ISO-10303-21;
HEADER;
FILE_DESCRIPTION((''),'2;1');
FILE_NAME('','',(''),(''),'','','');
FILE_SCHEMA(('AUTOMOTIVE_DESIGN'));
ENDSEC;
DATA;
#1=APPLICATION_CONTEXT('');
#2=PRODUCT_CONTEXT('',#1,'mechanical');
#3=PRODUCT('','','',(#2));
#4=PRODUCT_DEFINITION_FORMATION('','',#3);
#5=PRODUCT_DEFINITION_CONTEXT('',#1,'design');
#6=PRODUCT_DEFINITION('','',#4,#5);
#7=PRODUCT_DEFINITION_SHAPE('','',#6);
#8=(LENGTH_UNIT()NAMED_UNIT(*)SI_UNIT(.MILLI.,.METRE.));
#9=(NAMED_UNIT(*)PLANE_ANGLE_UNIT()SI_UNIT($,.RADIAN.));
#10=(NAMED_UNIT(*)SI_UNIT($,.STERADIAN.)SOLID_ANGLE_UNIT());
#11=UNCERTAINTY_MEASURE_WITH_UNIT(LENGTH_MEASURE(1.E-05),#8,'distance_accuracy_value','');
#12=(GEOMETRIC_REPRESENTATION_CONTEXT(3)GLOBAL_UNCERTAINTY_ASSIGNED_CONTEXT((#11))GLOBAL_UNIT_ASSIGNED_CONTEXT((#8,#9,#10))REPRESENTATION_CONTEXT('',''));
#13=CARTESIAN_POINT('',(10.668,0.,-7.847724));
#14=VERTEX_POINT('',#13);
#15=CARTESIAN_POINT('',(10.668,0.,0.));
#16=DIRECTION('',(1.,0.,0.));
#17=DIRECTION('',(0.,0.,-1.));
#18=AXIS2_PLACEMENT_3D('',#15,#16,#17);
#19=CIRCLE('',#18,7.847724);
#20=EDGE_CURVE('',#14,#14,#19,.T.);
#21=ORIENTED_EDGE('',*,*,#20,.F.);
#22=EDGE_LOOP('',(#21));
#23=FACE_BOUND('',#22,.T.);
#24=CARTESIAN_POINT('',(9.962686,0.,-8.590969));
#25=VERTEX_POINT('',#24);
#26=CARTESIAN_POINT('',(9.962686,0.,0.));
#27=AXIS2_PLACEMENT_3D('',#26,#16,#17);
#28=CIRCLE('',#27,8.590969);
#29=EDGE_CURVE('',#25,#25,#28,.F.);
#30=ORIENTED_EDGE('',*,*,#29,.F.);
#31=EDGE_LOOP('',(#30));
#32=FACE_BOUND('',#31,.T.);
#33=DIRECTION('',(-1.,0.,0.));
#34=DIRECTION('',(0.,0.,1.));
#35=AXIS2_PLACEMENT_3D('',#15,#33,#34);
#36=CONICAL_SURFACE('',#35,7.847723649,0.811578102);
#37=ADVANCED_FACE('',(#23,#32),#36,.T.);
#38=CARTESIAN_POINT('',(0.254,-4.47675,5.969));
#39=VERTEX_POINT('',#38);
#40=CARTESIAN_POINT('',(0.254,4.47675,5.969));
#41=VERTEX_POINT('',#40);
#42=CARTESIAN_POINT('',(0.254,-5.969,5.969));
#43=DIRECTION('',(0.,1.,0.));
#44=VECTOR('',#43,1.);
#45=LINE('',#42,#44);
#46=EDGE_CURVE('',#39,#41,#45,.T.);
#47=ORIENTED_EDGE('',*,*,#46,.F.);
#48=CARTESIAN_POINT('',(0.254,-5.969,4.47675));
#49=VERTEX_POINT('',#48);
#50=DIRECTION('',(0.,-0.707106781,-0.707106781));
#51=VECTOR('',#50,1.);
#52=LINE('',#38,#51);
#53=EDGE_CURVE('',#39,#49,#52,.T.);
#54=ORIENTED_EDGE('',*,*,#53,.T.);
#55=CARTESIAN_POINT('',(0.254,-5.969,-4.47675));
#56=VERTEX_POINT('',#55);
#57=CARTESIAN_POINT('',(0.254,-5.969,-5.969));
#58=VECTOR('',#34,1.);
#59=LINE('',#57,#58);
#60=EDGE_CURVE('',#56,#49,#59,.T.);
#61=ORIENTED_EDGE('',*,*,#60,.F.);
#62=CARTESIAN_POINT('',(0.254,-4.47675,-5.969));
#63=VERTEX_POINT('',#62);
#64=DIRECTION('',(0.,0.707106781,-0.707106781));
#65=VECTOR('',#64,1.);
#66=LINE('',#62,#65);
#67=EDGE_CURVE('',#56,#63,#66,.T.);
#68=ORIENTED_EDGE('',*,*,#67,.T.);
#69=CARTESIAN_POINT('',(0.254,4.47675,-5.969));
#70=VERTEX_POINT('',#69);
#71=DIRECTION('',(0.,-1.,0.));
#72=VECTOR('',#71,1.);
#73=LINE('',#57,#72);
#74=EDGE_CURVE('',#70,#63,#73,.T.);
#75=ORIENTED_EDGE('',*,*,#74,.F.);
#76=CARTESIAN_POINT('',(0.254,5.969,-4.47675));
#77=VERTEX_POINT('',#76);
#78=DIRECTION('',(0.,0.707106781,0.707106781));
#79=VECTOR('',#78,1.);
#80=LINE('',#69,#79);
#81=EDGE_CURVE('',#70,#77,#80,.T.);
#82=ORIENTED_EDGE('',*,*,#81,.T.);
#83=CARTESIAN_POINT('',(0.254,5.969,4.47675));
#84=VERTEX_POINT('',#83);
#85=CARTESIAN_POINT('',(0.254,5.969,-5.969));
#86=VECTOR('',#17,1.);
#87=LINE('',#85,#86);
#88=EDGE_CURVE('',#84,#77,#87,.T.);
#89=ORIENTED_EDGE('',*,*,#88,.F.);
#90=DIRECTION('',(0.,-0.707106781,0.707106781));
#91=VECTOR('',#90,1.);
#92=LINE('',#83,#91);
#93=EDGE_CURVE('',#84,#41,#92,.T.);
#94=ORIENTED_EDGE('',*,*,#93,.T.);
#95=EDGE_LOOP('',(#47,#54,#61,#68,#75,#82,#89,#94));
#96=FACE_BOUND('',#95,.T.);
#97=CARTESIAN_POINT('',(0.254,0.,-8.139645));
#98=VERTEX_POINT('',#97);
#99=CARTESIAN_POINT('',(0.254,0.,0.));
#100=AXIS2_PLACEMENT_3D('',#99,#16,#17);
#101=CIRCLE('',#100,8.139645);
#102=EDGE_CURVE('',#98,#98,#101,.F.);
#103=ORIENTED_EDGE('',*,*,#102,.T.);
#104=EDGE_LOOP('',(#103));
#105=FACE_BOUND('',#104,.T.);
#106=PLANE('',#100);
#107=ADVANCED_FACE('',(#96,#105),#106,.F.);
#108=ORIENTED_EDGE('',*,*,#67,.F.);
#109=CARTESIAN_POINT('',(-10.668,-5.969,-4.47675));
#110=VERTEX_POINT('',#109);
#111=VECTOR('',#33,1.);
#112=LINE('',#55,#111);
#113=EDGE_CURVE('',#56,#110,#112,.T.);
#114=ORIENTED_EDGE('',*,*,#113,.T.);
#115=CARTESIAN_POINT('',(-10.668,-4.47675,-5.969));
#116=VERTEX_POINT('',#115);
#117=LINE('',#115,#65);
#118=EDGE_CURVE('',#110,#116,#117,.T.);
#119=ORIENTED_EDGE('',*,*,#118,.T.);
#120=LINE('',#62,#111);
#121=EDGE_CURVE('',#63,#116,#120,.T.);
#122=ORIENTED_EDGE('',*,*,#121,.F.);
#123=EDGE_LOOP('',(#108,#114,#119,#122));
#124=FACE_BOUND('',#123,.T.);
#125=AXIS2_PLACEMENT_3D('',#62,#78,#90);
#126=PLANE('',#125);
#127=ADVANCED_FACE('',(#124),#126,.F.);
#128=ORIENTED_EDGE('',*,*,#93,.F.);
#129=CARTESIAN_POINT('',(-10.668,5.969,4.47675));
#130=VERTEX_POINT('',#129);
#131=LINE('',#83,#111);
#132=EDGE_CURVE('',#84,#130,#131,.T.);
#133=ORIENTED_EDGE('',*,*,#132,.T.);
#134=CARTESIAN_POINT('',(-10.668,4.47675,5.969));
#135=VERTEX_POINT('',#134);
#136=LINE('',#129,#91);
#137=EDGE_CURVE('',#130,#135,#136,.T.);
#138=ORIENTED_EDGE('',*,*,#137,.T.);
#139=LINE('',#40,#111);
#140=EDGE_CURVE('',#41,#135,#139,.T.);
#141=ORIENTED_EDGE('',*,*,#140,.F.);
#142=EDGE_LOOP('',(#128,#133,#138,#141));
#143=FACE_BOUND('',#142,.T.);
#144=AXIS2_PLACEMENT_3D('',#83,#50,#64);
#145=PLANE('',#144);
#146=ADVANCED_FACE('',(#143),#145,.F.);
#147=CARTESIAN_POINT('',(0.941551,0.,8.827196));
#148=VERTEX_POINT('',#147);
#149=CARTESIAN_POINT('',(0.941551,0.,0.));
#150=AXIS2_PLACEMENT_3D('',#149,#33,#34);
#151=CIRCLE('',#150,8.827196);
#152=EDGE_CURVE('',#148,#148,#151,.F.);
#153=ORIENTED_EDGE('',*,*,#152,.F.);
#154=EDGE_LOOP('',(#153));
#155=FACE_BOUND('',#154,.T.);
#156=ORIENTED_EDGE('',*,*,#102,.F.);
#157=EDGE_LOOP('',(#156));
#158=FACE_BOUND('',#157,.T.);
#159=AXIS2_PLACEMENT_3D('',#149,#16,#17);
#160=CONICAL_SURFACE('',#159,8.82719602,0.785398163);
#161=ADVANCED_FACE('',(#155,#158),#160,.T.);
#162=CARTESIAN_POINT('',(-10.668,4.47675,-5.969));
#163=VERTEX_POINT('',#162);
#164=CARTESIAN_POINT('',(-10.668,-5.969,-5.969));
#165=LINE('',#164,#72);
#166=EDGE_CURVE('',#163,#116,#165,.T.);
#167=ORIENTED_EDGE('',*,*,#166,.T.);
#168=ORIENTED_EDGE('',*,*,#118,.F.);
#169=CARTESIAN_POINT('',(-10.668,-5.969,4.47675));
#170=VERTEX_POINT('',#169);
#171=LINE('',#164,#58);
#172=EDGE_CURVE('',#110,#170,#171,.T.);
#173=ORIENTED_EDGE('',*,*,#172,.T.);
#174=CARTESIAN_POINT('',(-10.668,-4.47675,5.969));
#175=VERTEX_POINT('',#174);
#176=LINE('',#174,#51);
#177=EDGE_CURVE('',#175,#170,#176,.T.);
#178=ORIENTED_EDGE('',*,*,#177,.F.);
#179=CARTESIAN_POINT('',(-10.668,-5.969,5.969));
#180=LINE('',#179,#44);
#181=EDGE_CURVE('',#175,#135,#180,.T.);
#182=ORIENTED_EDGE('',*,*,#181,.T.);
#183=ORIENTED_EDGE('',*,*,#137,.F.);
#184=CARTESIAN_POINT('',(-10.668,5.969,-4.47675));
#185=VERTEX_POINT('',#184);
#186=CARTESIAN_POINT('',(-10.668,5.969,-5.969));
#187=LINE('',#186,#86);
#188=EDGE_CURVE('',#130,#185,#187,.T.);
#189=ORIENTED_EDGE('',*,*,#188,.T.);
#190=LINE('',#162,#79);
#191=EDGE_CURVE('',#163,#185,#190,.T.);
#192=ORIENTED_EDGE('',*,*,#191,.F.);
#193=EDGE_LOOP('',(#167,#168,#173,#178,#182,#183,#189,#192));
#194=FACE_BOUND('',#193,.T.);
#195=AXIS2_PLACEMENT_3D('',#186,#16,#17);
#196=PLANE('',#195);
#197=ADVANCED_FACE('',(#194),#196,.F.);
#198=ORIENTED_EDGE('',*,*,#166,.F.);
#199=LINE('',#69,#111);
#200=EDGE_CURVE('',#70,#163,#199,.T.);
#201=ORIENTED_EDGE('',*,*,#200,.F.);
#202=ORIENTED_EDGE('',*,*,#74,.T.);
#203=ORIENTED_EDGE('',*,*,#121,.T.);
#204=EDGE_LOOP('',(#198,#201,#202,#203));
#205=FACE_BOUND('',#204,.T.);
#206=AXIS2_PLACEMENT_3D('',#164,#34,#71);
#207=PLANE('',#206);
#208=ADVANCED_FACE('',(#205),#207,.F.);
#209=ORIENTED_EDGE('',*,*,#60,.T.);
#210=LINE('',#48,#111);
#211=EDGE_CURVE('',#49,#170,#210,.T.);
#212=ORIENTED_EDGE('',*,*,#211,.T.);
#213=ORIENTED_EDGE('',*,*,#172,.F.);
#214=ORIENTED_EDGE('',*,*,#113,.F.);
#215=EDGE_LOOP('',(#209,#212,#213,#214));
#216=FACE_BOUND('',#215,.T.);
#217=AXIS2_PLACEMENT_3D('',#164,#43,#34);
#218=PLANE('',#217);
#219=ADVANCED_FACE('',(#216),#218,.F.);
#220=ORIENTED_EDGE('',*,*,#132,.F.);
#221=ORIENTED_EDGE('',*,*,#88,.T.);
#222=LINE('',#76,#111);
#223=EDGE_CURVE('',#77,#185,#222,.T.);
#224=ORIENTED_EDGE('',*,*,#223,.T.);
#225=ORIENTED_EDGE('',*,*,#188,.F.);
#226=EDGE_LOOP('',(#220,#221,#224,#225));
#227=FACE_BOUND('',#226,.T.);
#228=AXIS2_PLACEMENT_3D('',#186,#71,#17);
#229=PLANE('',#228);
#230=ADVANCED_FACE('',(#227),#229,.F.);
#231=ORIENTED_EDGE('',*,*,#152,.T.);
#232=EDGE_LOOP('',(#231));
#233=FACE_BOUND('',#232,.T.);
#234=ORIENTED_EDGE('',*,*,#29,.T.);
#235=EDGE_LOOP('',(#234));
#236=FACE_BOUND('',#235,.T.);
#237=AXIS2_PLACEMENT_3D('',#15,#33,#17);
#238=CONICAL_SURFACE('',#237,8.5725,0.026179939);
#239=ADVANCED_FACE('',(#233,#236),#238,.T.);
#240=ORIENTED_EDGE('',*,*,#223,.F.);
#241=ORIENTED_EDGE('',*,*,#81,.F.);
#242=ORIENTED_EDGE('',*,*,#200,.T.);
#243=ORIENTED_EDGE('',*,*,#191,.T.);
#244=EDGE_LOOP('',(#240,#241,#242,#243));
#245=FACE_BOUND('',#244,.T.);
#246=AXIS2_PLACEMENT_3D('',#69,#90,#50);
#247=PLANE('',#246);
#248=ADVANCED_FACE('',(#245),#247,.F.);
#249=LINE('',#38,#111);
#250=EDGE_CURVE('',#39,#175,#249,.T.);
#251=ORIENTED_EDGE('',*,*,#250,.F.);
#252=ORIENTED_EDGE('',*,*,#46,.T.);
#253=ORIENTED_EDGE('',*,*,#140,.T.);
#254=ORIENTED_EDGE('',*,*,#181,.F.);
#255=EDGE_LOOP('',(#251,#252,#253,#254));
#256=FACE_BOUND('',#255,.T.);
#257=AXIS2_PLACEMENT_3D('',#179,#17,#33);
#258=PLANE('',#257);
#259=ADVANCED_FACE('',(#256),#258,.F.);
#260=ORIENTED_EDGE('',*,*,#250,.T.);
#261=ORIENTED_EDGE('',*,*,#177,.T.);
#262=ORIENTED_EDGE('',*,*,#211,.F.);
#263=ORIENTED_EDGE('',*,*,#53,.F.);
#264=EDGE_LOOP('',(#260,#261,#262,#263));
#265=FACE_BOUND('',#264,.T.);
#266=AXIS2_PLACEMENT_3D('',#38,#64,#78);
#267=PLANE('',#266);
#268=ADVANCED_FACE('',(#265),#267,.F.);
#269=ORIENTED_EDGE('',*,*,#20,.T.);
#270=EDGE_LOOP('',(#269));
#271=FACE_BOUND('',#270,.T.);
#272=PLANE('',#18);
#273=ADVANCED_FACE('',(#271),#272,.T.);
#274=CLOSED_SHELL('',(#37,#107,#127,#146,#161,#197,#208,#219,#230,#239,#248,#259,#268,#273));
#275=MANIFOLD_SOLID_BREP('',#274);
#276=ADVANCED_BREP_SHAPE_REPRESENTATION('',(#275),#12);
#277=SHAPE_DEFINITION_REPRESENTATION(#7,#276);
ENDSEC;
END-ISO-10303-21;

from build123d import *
from OCP.BRepFilletAPI import BRepFilletAPI_MakeChamfer

# Parameters (mm, degrees)
SKETCH2_R          = 8.5725
EXTRUDE1_DEPTH     = 10.414
EXTRUDE1_DRAFT     = 1.5
CHAMFER1_SIZE      = 0.705555556
CHAMFER1_SIZE2     = 0.724776351
CHAMFER1_SIZE2_2   = 0.687787076
SKETCH6_W          = 11.938
SKETCH6_H          = 11.938
EXTRUDE2_DEPTH     = 10.922
CUT_EXTRUDE1_DEPTH = 10.922


with BuildPart() as part:
    # Sketch2 → Extrude1 (with draft: the straight prism first)
    with BuildSketch(Plane(origin=(10.668, 0, 0), x_dir=(0, 0, -1), z_dir=(1, 0, 0))):
        Circle(SKETCH2_R)
    extrude(amount=-EXTRUDE1_DEPTH)
    # Extrude1: the draft: its side faces are tilted about the plane it starts from
    extrude1_sides = [part.faces().sort_by_distance(p)[0] for p in [
        (5.461, 0, 8.5725),
    ]]
    draft(extrude1_sides, Plane(origin=(10.668, 0, 0), x_dir=(0, 0, -1), z_dir=(1, 0, 0)), EXTRUDE1_DRAFT)

    # Chamfer1: one chamfer whose edges measure the first distance from different faces: ONE call of the kernel's chamfer builder (chamfer() names one face for all edges)
    chamfer1_edges_1 = [part.edges().sort_by_distance(p)[0] for p in [
        (10.668, 0, 8.5725),
    ]]
    chamfer1_side_1 = [part.faces().sort_by_distance(p)[0] for p in [
        (5.461, 0, 8.708850094),
    ]]
    chamfer1_edges_2 = [part.edges().sort_by_distance(p)[0] for p in [
        (0.254, 0, 8.845200187),
    ]]
    chamfer1_side_2 = [part.faces().sort_by_distance(p)[0] for p in [
        (0.254, 0, 0),
    ]]
    chamfer1 = BRepFilletAPI_MakeChamfer(part.part.solid().wrapped)
    for e in chamfer1_edges_1:
        chamfer1.Add(CHAMFER1_SIZE, CHAMFER1_SIZE2, e.wrapped, chamfer1_side_1[0].wrapped)  # the first distance lies on this face
    for e in chamfer1_edges_2:
        chamfer1.Add(CHAMFER1_SIZE, CHAMFER1_SIZE2_2, e.wrapped, chamfer1_side_2[0].wrapped)  # the first distance lies on this face
    add(Compound.cast(chamfer1.Shape()), mode=Mode.REPLACE)

    # Sketch6 → Extrude2 (add)
    with BuildSketch(Plane.ZY.offset(-0.254)):
        Rectangle(SKETCH6_W, SKETCH6_H)
    extrude(amount=EXTRUDE2_DEPTH)

    # Sketch7 → Cut-Extrude1 (cut)
    with BuildSketch(Plane.ZY.offset(10.668)):
        Polygon((4.47675, 5.969), (5.969, 4.47675), (5.969, 5.969), align=None)
        Polygon((5.969, -4.47675), (4.47675, -5.969), (5.969, -5.969), align=None)
        Polygon((-5.969, -4.47675), (-4.47675, -5.969), (-5.969, -5.969), align=None)
        Polygon((-5.969, 4.47675), (-4.47675, 5.969), (-5.969, 5.969), align=None)
    extrude(amount=-CUT_EXTRUDE1_DEPTH, mode=Mode.SUBTRACT)


solid = part.part
